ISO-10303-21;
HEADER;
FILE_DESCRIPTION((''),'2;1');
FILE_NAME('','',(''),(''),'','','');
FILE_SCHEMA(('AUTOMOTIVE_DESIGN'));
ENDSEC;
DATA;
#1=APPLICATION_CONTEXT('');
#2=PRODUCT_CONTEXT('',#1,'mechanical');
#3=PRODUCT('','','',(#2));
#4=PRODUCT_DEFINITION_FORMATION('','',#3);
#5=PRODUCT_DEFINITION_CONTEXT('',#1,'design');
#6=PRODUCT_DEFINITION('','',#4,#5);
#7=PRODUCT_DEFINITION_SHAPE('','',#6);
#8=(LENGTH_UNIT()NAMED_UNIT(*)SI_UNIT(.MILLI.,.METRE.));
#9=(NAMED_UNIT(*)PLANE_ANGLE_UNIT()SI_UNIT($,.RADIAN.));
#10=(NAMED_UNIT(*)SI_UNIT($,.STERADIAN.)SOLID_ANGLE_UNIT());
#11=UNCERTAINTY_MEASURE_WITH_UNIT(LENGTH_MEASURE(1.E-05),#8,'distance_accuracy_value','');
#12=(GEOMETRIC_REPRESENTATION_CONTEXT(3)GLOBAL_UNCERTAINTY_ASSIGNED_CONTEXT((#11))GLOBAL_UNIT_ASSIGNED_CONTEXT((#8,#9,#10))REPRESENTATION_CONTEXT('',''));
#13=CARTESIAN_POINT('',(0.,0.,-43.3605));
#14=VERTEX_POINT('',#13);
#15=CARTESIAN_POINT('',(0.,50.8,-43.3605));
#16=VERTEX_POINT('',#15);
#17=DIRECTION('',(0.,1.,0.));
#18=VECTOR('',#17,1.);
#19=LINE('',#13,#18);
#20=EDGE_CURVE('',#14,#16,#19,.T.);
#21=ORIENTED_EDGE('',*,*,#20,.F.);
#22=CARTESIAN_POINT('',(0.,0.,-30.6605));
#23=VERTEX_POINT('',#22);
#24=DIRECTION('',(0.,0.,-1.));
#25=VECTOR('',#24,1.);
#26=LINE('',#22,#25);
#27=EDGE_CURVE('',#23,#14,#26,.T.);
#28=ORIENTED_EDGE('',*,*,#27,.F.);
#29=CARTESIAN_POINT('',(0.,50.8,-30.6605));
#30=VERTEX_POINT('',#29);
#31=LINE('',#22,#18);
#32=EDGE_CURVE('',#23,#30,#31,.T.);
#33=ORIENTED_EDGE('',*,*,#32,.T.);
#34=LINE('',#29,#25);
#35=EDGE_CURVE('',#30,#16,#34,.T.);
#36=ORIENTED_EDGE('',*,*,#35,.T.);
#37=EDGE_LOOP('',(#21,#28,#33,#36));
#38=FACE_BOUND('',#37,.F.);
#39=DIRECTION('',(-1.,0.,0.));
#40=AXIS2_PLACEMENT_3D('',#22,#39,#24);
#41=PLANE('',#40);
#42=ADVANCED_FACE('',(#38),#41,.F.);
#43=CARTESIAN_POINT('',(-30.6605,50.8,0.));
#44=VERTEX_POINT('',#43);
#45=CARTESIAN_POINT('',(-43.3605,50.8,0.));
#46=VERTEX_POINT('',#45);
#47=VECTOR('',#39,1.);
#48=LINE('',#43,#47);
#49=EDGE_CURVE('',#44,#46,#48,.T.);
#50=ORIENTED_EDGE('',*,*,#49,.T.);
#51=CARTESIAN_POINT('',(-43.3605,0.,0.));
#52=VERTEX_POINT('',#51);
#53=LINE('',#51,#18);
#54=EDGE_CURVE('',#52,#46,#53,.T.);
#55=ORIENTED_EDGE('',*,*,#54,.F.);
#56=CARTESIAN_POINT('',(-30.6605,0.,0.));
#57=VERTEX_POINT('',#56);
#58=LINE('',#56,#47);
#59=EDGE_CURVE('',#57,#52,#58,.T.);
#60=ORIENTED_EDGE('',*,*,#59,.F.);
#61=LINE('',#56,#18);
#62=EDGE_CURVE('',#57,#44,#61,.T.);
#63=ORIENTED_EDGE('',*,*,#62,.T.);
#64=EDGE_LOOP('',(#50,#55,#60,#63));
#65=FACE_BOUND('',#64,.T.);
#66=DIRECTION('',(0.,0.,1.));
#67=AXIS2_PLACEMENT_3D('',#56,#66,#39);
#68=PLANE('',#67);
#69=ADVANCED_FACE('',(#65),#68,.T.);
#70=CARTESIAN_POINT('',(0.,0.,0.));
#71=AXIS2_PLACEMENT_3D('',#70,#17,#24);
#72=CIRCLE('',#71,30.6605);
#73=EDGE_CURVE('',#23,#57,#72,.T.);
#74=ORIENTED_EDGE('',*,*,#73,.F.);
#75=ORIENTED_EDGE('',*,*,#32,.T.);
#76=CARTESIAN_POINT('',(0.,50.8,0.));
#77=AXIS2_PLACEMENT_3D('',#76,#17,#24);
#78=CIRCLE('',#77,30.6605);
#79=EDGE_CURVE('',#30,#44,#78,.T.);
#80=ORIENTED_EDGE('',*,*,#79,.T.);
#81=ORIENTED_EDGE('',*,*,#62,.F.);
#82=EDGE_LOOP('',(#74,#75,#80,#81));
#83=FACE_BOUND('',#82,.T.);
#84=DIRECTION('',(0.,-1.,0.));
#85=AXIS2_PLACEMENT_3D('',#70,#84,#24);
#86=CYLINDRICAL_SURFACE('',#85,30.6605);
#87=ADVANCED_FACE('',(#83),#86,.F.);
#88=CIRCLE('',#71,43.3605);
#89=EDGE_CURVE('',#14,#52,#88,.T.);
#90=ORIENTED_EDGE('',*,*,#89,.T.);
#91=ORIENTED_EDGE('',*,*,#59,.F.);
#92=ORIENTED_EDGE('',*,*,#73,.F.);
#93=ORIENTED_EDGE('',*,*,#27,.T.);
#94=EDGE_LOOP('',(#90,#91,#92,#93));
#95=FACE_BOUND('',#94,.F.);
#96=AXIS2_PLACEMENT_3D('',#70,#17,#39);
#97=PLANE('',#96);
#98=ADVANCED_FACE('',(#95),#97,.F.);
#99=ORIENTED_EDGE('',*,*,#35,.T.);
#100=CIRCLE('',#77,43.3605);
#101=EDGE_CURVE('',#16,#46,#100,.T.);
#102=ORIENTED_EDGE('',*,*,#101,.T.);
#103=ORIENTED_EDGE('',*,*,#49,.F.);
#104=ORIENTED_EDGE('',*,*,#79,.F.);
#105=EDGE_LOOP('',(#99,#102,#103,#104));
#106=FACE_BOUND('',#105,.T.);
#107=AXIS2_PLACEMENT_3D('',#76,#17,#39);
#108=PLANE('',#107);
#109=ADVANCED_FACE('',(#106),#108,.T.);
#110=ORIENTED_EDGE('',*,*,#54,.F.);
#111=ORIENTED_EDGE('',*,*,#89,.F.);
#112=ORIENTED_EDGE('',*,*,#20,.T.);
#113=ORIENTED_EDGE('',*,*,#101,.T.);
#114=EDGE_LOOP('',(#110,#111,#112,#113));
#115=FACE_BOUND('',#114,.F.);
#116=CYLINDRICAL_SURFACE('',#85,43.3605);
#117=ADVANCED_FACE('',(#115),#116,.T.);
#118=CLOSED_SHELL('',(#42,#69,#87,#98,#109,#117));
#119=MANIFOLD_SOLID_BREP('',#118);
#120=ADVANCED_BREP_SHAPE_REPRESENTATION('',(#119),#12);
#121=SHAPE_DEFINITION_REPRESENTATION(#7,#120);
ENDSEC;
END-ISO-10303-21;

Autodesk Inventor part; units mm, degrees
ref_plane "YZ Plane" through (0, 0, 0) normal (1, 0, 0) x (0, 1, 0)
ref_plane "XZ Plane" through (0, 0, 0) normal (0, 1, 0) x (-1, 0, 0)
ref_plane "XY Plane" through (0, 0, 0) normal (0, 0, 1) x (1, 0, 0)
sketch "Sketch1" plane through (0, 0, 0) normal (0, 1, 0) x (-1, 0, 0)
  arc A0 (0, -43.3605) -> (43.3605, 0) centre (0, 0) ccw
  arc A1 (0, -30.6605) -> (30.6605, 0) centre (0, 0) ccw
  line L0 (30.6605, 0) -> (43.3605, 0)
  line L1 (0, -30.6605) -> (0, -43.3605)
  dimension "d0" = 12.7
  dimension "d1" = 12.7
  dimension "d2" = 12.7
extrude "Extrusion1" add sketch "Sketch1" along normal blind 50.8
properties part number "HammerStick Hook"
